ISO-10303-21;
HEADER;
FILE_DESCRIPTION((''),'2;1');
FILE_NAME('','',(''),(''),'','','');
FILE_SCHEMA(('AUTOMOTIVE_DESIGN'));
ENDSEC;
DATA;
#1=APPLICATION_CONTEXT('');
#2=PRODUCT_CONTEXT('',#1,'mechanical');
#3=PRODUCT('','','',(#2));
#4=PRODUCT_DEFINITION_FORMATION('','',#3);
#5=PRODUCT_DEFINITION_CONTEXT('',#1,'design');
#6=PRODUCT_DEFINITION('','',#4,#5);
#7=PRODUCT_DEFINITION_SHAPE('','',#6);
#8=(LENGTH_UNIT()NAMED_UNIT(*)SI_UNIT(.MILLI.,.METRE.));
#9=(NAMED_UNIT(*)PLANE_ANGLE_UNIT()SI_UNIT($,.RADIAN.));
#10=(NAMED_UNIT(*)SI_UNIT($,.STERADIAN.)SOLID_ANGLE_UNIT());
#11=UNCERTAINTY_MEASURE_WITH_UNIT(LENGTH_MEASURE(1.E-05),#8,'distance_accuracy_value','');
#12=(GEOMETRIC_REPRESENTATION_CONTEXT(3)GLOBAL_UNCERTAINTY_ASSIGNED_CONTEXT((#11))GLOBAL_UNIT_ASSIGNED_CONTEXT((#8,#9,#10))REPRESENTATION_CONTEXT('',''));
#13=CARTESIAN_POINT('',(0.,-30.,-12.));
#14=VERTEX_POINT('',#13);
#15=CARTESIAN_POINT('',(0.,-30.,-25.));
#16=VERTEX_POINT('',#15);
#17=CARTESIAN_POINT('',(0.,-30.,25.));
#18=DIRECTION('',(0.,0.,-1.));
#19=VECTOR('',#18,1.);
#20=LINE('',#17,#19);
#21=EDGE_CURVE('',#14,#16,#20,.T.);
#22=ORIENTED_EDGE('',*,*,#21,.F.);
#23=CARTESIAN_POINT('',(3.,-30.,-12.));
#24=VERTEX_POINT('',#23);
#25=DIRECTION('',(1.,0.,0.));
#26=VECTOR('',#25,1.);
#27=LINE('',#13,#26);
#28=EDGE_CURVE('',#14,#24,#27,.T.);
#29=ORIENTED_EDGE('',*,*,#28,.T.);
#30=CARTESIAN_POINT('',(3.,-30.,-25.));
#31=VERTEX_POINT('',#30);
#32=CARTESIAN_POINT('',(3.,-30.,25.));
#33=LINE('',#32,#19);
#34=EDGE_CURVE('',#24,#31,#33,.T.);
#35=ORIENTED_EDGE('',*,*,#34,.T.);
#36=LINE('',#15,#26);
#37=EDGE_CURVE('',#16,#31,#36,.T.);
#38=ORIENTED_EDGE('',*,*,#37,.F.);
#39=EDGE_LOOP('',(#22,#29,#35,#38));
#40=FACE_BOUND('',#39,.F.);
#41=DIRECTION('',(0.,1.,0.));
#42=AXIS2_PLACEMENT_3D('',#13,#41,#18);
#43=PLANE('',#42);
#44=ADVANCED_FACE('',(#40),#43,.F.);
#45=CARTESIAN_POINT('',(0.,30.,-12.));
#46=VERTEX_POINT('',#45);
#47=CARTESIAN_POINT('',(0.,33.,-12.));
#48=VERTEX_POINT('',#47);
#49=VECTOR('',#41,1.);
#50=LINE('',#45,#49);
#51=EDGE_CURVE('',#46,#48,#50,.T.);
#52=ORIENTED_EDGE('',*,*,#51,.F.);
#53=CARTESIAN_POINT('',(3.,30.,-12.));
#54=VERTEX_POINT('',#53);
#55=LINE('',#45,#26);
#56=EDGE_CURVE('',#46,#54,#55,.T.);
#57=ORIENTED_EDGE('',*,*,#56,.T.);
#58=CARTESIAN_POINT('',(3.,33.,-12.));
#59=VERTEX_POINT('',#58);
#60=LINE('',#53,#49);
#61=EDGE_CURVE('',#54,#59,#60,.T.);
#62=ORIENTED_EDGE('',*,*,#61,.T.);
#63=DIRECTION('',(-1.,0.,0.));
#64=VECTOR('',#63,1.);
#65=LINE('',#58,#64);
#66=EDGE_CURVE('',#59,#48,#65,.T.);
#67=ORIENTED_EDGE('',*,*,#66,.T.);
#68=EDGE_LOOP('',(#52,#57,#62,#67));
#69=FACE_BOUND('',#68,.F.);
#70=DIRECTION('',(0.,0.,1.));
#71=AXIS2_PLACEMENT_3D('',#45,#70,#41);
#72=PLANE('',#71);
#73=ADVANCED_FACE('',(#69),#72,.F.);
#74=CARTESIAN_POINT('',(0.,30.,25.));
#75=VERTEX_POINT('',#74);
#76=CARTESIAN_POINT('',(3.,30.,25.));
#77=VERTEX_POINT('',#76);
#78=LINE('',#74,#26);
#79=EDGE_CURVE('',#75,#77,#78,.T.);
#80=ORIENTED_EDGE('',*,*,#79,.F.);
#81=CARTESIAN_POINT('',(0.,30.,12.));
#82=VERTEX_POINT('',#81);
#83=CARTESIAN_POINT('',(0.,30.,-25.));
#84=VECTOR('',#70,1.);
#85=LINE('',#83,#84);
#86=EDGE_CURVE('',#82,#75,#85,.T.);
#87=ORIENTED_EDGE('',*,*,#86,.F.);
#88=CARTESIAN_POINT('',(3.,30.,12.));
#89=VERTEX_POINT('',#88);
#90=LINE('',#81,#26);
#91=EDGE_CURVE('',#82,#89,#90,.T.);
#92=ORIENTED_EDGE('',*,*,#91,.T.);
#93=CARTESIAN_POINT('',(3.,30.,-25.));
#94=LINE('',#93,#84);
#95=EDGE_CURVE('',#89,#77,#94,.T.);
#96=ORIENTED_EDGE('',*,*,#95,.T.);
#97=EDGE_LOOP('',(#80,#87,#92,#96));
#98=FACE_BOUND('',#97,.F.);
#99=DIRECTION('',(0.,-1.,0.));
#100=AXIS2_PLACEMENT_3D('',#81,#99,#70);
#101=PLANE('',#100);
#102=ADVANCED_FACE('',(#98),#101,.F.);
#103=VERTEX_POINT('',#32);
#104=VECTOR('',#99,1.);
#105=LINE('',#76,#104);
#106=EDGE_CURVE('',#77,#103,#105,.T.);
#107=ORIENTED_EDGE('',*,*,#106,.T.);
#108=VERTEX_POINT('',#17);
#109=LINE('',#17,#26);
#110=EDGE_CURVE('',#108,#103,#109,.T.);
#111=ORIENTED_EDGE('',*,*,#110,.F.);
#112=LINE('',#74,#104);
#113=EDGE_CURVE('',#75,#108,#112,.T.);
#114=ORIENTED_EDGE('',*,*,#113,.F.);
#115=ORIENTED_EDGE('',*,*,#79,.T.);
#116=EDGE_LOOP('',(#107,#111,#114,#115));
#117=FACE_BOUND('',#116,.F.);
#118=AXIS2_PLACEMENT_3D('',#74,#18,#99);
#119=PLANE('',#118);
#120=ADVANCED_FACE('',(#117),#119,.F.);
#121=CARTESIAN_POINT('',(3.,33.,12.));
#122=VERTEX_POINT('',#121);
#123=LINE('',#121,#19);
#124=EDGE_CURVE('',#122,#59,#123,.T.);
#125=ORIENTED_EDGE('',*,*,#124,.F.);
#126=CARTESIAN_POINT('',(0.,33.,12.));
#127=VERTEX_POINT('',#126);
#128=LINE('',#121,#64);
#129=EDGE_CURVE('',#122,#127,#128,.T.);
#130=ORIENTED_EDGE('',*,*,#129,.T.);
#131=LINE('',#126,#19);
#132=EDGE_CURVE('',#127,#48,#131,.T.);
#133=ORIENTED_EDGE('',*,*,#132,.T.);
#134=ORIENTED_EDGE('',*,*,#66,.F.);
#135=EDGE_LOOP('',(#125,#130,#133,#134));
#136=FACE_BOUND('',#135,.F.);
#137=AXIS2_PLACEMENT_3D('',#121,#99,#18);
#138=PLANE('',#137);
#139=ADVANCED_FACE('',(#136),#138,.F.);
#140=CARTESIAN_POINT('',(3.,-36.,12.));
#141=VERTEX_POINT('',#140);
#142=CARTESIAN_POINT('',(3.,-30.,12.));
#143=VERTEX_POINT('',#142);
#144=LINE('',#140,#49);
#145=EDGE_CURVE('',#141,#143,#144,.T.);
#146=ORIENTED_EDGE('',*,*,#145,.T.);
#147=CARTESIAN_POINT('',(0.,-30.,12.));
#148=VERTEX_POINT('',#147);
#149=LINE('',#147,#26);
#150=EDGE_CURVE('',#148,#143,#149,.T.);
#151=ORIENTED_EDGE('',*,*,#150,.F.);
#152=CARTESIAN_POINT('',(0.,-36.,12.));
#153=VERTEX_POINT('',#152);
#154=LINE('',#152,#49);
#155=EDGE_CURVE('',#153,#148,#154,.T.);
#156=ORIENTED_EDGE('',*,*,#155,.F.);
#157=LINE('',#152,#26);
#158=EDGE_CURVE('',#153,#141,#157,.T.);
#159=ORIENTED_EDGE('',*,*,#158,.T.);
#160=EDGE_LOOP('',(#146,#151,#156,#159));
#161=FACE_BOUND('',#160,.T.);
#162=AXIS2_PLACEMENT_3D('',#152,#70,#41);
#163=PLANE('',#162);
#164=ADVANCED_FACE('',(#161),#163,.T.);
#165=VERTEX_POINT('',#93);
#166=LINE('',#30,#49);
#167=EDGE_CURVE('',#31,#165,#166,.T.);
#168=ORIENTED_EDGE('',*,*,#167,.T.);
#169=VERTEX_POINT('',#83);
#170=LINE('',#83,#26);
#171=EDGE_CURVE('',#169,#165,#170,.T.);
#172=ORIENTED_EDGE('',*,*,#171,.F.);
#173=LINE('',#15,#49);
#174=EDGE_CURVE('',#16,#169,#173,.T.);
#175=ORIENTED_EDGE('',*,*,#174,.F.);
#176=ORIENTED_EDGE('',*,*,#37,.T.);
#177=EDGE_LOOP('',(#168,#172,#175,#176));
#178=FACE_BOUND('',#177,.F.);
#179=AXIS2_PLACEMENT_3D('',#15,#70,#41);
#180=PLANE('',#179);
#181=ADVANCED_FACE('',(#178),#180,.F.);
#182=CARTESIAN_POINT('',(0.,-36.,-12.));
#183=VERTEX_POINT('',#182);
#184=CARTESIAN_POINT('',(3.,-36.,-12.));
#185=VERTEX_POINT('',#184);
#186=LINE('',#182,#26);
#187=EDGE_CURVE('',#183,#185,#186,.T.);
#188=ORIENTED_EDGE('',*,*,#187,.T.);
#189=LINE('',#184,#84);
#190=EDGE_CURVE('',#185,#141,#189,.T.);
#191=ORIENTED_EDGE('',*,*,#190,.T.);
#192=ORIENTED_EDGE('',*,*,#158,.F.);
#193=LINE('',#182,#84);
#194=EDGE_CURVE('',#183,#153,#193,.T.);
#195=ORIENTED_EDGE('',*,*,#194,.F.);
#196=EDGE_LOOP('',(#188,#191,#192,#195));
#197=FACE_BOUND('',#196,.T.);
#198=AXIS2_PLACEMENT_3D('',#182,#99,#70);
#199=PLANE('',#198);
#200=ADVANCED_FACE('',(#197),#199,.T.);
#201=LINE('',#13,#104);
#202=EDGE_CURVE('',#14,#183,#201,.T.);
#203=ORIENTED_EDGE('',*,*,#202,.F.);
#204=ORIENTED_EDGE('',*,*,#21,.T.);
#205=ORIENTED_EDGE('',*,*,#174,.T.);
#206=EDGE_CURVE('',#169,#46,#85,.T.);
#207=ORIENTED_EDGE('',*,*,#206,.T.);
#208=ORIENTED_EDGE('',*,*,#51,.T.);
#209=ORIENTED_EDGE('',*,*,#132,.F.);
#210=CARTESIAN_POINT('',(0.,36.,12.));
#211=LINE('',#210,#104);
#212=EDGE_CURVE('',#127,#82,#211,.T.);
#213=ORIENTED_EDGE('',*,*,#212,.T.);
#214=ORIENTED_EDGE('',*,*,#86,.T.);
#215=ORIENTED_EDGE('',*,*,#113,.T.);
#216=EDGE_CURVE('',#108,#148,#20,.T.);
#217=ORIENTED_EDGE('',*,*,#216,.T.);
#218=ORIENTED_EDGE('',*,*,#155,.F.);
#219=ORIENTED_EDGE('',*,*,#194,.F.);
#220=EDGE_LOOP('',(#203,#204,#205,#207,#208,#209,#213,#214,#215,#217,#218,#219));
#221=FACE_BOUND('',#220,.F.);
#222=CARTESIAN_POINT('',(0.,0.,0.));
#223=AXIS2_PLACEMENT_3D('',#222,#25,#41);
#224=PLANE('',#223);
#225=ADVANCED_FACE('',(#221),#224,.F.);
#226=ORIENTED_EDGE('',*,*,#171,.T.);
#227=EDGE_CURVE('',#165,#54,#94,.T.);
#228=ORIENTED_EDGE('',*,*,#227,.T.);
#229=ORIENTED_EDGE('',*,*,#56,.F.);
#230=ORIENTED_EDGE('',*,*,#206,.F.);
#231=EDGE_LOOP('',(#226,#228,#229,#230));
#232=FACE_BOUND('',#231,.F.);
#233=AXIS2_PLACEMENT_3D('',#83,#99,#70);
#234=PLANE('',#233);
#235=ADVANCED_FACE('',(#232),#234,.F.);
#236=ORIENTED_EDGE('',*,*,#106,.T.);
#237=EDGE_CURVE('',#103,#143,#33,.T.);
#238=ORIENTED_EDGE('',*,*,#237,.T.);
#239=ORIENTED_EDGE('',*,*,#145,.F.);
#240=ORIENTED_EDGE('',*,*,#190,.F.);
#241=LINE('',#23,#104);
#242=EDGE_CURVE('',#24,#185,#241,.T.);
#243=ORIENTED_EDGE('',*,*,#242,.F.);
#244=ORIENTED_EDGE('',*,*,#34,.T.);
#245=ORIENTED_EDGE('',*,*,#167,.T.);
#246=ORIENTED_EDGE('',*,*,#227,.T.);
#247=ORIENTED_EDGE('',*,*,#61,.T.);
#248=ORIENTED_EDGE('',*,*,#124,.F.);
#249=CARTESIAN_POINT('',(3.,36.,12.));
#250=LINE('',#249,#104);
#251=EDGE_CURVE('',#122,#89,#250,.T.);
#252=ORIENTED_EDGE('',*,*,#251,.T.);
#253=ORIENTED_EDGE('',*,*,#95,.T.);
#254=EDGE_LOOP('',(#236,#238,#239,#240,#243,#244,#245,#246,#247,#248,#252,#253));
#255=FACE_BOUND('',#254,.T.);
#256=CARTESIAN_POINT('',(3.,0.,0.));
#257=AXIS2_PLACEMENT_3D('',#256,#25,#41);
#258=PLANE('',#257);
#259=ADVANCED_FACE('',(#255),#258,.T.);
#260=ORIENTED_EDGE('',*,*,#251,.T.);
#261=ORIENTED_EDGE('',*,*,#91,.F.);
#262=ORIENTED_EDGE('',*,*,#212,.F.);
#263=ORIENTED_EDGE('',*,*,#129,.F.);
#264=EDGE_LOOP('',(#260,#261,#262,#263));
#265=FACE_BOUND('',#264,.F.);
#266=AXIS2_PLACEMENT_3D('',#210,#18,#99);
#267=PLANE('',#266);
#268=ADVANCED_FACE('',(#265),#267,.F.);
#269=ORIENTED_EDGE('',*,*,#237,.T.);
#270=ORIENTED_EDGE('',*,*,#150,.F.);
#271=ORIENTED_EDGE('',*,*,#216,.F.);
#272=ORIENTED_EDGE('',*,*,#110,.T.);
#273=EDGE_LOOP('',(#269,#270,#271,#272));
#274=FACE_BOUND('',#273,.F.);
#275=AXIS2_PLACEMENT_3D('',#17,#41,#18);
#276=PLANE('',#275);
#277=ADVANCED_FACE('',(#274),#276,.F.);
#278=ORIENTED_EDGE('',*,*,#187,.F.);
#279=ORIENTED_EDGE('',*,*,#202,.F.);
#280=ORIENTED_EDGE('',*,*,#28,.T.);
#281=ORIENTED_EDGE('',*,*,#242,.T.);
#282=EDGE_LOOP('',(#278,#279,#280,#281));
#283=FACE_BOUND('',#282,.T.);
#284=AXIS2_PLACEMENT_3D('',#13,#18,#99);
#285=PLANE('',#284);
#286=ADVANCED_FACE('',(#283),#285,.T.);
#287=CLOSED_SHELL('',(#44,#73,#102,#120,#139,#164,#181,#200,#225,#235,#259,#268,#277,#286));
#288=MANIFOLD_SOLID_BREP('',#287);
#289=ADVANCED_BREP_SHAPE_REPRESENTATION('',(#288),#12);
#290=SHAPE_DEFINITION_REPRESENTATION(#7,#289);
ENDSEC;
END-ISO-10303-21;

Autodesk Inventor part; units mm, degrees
ref_plane "YZ Plane" through (0, 0, 0) normal (1, 0, 0) x (0, 1, 0)
ref_plane "XZ Plane" through (0, 0, 0) normal (0, 1, 0) x (-1, 0, 0)
ref_plane "XY Plane" through (0, 0, 0) normal (0, 0, 1) x (1, 0, 0)
sketch "Sketch1" plane through (0, 0, 0) normal (1, 0, 0) x (0, 1, 0)
  line L0 (30, 25) -> (-30, 25)
  line L1 (-30, 25) -> (-30, -25)
  line L2 (-30, -25) -> (30, -25)
  line L3 (30, -25) -> (30, 25)
  line L4 (30, 25) -> (-30, -25) construction
  line L5 (-30, 25) -> (30, -25) construction
  line L6 (36, 12) -> (30, 12)
  line L7 (30, 12) -> (30, -12)
  line L8 (30, -12) -> (36, -12)
  line L9 (36, -12) -> (36, 12)
  line L10 (0, 25) -> (0, -25) construction
  line L11 (-36, 12) -> (-30, 12)
  line L12 (-30, 12) -> (-30, -12)
  line L13 (-30, -12) -> (-36, -12)
  line L14 (-36, -12) -> (-36, 12)
  point P0 (0, 0)
  dimension "d0" = 60
  dimension "d1" = 50
  dimension "d2" = 6
  dimension "d3" = 13
  dimension "d4" = 13
  dimension "d5" = 24
extrude "Extrusion1" add sketch "Sketch1" along normal blind 3
sketch "Sketch2" plane through (3, 0, 0) normal (1, 0, 0) x (0, 0, -1)
  line L0 (12, 36) -> (-12, 36) projected
  line L1 (-12, 36) -> (-12, 30) projected
  line L2 (12, 30) -> (12, 36) projected
  line L3 (-12, 36) -> (-12, 30) projected
  line L4 (-12, 33) -> (12, 33)
  point P0 (0, 0)
  dimension "d8" = 3
extrude "Extrusion2" cut sketch "Sketch2" against normal blind 3
properties part number "Base and top seperator"
